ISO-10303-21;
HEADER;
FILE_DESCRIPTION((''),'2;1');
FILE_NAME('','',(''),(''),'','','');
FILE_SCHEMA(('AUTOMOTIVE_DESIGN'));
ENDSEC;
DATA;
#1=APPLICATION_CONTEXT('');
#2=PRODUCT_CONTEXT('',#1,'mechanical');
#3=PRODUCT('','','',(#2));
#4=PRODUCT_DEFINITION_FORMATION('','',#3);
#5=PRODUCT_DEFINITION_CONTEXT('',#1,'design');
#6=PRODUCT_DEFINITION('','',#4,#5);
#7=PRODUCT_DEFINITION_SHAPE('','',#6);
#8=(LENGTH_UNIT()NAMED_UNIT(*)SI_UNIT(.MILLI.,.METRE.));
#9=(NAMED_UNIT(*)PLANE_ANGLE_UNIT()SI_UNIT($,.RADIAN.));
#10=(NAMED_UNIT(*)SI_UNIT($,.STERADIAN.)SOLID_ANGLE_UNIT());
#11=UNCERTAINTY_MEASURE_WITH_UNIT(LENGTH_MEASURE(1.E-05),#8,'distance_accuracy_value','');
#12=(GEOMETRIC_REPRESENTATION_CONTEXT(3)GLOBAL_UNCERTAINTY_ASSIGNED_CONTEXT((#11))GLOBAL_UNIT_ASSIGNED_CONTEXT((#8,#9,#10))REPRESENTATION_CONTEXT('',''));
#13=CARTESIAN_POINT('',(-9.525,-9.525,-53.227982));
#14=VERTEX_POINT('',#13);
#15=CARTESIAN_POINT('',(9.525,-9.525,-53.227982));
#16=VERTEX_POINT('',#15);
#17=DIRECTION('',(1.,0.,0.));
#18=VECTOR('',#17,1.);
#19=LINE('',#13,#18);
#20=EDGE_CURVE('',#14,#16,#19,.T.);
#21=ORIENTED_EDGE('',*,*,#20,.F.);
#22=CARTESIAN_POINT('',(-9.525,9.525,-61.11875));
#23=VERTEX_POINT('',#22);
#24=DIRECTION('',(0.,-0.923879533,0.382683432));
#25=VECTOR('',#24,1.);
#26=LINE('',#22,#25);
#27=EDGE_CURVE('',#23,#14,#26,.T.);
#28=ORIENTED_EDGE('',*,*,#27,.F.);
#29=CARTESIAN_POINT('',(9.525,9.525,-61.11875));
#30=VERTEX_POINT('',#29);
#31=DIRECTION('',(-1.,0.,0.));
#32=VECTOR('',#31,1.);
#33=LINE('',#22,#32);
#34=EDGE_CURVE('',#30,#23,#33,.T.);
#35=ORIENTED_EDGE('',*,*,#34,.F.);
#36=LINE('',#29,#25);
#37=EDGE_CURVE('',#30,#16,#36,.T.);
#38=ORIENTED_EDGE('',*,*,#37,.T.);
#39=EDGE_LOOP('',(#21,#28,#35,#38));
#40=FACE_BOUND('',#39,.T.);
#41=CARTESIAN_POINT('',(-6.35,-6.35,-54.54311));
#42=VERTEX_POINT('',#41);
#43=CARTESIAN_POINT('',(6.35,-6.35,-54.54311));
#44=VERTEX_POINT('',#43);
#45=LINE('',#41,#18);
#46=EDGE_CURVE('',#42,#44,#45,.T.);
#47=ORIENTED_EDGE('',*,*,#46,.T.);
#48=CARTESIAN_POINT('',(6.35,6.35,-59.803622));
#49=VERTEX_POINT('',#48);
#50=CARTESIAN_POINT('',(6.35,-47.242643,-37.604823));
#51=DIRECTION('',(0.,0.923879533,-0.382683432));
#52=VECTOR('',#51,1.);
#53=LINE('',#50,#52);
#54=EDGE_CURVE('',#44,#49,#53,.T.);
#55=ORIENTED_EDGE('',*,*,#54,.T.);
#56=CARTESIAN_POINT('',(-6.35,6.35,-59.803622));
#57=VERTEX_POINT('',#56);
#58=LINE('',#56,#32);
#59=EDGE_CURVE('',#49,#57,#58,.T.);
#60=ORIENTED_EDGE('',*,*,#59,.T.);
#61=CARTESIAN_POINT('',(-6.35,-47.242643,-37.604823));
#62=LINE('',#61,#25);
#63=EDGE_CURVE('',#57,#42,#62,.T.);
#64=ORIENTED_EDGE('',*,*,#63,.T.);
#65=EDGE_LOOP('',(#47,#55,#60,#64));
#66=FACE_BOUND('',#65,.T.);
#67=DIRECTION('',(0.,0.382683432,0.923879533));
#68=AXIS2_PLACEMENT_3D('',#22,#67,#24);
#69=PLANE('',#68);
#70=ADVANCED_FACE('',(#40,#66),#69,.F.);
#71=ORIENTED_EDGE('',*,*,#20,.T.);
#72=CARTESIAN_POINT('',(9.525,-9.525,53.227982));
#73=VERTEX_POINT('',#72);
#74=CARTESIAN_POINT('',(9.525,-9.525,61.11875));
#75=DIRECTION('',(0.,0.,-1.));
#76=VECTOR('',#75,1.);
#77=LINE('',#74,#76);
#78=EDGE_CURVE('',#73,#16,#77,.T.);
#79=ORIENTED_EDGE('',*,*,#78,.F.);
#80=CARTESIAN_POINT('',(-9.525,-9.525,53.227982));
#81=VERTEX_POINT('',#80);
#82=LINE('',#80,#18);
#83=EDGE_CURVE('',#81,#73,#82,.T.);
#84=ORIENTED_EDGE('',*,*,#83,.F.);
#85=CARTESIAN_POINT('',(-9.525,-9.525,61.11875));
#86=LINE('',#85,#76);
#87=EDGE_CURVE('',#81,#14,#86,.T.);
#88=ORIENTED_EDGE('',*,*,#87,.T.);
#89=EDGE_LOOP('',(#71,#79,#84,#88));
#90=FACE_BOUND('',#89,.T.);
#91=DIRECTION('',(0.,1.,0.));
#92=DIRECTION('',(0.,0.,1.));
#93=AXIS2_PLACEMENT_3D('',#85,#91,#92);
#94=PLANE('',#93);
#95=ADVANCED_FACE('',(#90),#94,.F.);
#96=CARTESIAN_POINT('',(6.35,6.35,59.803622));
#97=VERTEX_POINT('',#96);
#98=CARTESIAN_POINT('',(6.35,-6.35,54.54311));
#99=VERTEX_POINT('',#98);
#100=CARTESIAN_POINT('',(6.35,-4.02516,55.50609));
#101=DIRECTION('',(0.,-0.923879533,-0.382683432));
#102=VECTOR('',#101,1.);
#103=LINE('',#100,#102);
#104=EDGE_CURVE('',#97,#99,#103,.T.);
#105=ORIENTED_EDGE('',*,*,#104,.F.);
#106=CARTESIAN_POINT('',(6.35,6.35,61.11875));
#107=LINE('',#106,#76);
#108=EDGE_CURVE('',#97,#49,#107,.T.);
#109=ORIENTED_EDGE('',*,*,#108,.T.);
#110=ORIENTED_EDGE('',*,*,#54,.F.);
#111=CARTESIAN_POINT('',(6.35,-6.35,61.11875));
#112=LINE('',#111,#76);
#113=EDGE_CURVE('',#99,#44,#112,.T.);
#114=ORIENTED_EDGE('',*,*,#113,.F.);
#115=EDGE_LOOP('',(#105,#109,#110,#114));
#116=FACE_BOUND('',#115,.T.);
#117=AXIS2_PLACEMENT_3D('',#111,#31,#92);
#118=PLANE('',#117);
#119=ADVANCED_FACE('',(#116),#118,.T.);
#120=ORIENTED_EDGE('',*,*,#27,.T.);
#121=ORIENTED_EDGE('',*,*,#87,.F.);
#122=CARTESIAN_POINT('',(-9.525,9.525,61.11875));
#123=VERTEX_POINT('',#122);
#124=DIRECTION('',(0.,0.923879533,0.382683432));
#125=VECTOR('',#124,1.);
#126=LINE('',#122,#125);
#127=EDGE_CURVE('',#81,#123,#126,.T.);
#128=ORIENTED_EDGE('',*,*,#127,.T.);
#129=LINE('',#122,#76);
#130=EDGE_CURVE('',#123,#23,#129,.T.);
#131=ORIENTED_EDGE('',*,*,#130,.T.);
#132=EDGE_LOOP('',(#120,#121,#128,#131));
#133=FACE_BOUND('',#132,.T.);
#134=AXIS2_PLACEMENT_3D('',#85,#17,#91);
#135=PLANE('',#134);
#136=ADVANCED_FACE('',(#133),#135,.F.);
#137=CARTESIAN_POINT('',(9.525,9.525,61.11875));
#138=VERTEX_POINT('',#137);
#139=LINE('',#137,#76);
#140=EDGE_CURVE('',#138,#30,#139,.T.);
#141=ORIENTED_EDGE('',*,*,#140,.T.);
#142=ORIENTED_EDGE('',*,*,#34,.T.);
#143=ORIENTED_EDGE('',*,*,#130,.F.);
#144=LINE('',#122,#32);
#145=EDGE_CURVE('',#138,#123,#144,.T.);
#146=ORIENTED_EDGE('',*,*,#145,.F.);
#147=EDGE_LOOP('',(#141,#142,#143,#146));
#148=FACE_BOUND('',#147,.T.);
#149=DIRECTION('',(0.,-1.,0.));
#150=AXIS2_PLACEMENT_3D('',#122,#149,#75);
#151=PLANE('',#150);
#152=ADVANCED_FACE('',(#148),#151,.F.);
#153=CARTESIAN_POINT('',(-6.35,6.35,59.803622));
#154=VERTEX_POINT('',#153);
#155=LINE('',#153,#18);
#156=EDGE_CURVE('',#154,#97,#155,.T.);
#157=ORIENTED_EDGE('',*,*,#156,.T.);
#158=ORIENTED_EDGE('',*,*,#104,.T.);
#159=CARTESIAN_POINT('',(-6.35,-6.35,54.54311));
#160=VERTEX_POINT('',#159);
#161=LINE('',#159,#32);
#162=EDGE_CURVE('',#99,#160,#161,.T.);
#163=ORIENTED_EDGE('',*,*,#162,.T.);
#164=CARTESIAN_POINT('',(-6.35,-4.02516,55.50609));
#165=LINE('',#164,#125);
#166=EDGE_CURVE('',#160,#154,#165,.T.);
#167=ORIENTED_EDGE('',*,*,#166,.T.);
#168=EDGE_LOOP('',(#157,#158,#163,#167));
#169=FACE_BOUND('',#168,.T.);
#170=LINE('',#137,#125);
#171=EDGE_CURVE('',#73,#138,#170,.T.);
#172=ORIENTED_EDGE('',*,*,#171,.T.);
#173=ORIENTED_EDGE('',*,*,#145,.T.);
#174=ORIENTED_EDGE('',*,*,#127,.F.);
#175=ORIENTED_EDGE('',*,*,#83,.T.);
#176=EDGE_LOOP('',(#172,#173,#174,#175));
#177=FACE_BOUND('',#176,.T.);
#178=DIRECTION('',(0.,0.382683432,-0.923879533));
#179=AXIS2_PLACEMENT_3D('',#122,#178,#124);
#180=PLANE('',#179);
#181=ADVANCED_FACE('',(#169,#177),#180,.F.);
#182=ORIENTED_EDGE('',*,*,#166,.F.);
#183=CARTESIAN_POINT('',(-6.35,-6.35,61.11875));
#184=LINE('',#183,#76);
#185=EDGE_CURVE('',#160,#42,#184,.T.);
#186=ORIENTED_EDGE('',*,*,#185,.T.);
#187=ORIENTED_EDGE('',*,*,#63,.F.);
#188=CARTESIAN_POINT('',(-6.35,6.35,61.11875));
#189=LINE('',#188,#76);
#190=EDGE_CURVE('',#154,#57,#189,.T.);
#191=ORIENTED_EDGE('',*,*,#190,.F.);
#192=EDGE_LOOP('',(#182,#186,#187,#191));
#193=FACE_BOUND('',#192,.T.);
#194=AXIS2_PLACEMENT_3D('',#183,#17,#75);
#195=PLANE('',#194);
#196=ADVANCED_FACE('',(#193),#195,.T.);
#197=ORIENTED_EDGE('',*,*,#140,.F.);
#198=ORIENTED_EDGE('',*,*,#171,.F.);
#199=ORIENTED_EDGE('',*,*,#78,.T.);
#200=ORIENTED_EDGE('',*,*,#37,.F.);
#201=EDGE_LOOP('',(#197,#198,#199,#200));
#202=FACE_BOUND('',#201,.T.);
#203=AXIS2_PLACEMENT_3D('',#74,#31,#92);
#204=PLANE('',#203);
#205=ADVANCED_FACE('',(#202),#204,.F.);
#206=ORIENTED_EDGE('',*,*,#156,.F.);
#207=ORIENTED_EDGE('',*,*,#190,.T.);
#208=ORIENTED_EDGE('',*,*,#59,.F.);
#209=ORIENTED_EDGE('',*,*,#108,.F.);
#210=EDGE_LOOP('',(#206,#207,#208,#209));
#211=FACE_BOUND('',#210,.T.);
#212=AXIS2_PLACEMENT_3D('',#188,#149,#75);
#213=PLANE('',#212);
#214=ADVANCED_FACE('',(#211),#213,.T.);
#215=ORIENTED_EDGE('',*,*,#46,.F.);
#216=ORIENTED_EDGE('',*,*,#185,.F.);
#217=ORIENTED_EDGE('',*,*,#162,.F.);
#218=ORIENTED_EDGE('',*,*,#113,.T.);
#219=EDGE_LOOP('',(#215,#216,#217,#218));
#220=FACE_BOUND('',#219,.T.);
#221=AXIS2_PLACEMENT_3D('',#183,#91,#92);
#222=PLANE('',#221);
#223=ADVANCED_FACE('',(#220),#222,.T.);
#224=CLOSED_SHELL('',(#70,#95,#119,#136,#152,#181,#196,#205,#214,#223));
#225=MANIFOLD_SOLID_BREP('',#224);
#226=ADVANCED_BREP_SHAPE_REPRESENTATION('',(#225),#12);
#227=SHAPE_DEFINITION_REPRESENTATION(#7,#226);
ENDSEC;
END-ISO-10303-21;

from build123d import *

# Parameters (mm, degrees)
SKETCH1_W           = 19.05
SKETCH1_H           = 19.05
SKETCH1_W_2         = 12.7
SKETCH1_H_2         = 12.7
BOSS_EXTRUDE1_DEPTH = 61.11875
CUT_EXTRUDE1_DEPTH  = 65.723486669


with BuildPart() as part:
    # Sketch1 → Boss-Extrude1 (new, symmetric)
    with BuildSketch(Plane.XY):
        Rectangle(SKETCH1_W, SKETCH1_H)
        Rectangle(SKETCH1_W_2, SKETCH1_H_2, mode=Mode.SUBTRACT)
    extrude(amount=BOSS_EXTRUDE1_DEPTH, both=True)

    # Sketch2 → Cut-Extrude1 (cut, through all)
    with BuildSketch(Plane(origin=(9.525, 0, 0), x_dir=(0, 0, -1), z_dir=(1, 0, 0))):
        Polygon((-61.11875, 9.525), (-53.227981637, -9.525), (-61.11875, -9.525), align=None)
        Polygon((61.11875, 9.525), (53.227981637, -9.525), (61.11875, -9.525), align=None)
    extrude(amount=-CUT_EXTRUDE1_DEPTH, mode=Mode.SUBTRACT)


solid = part.part
